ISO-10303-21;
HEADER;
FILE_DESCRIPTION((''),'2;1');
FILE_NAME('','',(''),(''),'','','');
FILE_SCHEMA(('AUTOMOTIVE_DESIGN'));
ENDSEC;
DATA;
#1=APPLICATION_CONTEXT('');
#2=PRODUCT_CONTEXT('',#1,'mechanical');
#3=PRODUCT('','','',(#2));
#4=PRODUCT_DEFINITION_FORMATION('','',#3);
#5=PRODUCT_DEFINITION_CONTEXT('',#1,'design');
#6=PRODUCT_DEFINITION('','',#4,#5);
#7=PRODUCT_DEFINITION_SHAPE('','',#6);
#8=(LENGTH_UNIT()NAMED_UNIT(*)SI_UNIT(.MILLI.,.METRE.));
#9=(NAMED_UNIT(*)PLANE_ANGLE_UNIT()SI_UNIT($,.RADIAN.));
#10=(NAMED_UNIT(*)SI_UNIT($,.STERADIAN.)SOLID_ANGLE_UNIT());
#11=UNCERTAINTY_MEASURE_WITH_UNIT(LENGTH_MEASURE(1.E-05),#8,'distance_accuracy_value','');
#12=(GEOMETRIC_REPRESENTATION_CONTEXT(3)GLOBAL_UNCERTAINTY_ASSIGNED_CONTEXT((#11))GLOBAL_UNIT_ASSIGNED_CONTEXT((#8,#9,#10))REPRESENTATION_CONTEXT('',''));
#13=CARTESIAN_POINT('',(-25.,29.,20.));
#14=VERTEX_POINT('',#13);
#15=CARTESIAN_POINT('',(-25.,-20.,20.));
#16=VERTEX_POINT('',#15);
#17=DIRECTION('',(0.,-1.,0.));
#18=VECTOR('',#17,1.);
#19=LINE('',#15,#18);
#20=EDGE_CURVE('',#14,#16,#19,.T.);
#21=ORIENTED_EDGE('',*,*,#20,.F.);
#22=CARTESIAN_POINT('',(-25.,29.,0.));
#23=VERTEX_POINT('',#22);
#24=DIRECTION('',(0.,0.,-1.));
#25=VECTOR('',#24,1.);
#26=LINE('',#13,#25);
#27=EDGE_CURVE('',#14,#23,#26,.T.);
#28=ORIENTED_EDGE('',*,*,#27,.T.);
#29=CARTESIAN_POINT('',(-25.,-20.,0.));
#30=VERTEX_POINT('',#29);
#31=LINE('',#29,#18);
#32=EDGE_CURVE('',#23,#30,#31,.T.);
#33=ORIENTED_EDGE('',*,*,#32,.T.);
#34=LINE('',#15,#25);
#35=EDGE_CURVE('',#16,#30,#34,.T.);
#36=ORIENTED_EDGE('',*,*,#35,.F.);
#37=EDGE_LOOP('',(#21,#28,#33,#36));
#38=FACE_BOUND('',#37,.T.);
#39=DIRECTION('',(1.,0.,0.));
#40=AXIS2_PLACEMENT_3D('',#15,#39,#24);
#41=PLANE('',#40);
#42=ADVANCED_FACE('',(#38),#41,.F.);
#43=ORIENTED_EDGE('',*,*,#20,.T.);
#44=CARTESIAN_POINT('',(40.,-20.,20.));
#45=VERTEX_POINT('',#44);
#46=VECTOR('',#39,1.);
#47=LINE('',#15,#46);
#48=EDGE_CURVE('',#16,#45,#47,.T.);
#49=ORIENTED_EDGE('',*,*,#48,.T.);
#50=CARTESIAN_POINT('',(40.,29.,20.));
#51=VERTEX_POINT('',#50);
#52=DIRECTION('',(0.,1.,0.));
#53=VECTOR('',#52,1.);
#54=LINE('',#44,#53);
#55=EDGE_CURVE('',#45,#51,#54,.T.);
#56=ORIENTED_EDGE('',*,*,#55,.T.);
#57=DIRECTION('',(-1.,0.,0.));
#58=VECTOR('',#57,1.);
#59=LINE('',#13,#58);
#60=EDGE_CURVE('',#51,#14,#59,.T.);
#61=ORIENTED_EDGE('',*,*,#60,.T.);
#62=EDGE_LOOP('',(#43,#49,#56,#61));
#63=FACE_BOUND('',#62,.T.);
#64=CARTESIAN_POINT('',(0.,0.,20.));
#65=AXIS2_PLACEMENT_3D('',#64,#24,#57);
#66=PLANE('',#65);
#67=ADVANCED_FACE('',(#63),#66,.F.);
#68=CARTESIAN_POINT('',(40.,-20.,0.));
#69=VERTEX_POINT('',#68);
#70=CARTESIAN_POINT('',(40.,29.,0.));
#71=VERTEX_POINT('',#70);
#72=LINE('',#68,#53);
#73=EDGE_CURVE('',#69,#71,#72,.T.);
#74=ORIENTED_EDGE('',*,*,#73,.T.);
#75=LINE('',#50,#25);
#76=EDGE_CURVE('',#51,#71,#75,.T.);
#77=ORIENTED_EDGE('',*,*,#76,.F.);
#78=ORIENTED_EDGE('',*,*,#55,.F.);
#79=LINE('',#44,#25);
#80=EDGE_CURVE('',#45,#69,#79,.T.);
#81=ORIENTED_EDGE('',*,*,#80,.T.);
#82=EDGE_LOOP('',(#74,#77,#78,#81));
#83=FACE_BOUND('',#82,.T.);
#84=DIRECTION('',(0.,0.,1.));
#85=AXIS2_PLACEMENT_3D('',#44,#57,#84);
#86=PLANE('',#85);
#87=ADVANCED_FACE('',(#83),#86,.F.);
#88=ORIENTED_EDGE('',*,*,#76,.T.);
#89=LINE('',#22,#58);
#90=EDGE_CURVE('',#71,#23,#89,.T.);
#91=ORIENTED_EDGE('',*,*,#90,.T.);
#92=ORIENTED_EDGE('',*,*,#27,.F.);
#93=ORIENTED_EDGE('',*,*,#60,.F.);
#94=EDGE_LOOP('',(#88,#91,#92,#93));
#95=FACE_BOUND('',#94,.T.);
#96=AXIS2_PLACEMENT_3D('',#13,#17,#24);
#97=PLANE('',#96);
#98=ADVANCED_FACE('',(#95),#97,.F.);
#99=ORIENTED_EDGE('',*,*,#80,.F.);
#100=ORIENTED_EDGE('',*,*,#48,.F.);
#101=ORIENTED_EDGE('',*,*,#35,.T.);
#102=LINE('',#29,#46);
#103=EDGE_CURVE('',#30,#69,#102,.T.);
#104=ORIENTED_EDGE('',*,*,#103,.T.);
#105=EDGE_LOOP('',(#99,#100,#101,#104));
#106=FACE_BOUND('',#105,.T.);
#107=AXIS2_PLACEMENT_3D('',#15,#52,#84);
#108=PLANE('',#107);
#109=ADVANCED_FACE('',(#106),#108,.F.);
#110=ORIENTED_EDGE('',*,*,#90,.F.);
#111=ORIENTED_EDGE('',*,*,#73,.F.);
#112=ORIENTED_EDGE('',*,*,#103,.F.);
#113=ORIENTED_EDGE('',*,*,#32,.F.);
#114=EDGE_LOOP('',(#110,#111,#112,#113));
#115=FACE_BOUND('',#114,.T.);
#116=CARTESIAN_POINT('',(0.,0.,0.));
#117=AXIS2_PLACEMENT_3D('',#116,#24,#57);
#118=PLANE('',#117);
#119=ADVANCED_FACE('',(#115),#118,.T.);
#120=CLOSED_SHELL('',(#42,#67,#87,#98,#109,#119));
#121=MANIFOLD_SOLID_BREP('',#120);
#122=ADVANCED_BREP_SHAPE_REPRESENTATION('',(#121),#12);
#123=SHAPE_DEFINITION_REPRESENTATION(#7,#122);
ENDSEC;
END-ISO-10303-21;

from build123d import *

# Parameters (mm, degrees)
SKETCH_1_W      = 65
SKETCH_1_H      = 49
EXTRUDE_1_DEPTH = 20


with BuildPart() as part:
    # 草图1 → 凸台-拉伸1 (new body)
    with BuildSketch(Plane.XY):
        with Locations((7.5, 4.5)):
            Rectangle(SKETCH_1_W, SKETCH_1_H)
    extrude(amount=EXTRUDE_1_DEPTH)


solid = part.part
